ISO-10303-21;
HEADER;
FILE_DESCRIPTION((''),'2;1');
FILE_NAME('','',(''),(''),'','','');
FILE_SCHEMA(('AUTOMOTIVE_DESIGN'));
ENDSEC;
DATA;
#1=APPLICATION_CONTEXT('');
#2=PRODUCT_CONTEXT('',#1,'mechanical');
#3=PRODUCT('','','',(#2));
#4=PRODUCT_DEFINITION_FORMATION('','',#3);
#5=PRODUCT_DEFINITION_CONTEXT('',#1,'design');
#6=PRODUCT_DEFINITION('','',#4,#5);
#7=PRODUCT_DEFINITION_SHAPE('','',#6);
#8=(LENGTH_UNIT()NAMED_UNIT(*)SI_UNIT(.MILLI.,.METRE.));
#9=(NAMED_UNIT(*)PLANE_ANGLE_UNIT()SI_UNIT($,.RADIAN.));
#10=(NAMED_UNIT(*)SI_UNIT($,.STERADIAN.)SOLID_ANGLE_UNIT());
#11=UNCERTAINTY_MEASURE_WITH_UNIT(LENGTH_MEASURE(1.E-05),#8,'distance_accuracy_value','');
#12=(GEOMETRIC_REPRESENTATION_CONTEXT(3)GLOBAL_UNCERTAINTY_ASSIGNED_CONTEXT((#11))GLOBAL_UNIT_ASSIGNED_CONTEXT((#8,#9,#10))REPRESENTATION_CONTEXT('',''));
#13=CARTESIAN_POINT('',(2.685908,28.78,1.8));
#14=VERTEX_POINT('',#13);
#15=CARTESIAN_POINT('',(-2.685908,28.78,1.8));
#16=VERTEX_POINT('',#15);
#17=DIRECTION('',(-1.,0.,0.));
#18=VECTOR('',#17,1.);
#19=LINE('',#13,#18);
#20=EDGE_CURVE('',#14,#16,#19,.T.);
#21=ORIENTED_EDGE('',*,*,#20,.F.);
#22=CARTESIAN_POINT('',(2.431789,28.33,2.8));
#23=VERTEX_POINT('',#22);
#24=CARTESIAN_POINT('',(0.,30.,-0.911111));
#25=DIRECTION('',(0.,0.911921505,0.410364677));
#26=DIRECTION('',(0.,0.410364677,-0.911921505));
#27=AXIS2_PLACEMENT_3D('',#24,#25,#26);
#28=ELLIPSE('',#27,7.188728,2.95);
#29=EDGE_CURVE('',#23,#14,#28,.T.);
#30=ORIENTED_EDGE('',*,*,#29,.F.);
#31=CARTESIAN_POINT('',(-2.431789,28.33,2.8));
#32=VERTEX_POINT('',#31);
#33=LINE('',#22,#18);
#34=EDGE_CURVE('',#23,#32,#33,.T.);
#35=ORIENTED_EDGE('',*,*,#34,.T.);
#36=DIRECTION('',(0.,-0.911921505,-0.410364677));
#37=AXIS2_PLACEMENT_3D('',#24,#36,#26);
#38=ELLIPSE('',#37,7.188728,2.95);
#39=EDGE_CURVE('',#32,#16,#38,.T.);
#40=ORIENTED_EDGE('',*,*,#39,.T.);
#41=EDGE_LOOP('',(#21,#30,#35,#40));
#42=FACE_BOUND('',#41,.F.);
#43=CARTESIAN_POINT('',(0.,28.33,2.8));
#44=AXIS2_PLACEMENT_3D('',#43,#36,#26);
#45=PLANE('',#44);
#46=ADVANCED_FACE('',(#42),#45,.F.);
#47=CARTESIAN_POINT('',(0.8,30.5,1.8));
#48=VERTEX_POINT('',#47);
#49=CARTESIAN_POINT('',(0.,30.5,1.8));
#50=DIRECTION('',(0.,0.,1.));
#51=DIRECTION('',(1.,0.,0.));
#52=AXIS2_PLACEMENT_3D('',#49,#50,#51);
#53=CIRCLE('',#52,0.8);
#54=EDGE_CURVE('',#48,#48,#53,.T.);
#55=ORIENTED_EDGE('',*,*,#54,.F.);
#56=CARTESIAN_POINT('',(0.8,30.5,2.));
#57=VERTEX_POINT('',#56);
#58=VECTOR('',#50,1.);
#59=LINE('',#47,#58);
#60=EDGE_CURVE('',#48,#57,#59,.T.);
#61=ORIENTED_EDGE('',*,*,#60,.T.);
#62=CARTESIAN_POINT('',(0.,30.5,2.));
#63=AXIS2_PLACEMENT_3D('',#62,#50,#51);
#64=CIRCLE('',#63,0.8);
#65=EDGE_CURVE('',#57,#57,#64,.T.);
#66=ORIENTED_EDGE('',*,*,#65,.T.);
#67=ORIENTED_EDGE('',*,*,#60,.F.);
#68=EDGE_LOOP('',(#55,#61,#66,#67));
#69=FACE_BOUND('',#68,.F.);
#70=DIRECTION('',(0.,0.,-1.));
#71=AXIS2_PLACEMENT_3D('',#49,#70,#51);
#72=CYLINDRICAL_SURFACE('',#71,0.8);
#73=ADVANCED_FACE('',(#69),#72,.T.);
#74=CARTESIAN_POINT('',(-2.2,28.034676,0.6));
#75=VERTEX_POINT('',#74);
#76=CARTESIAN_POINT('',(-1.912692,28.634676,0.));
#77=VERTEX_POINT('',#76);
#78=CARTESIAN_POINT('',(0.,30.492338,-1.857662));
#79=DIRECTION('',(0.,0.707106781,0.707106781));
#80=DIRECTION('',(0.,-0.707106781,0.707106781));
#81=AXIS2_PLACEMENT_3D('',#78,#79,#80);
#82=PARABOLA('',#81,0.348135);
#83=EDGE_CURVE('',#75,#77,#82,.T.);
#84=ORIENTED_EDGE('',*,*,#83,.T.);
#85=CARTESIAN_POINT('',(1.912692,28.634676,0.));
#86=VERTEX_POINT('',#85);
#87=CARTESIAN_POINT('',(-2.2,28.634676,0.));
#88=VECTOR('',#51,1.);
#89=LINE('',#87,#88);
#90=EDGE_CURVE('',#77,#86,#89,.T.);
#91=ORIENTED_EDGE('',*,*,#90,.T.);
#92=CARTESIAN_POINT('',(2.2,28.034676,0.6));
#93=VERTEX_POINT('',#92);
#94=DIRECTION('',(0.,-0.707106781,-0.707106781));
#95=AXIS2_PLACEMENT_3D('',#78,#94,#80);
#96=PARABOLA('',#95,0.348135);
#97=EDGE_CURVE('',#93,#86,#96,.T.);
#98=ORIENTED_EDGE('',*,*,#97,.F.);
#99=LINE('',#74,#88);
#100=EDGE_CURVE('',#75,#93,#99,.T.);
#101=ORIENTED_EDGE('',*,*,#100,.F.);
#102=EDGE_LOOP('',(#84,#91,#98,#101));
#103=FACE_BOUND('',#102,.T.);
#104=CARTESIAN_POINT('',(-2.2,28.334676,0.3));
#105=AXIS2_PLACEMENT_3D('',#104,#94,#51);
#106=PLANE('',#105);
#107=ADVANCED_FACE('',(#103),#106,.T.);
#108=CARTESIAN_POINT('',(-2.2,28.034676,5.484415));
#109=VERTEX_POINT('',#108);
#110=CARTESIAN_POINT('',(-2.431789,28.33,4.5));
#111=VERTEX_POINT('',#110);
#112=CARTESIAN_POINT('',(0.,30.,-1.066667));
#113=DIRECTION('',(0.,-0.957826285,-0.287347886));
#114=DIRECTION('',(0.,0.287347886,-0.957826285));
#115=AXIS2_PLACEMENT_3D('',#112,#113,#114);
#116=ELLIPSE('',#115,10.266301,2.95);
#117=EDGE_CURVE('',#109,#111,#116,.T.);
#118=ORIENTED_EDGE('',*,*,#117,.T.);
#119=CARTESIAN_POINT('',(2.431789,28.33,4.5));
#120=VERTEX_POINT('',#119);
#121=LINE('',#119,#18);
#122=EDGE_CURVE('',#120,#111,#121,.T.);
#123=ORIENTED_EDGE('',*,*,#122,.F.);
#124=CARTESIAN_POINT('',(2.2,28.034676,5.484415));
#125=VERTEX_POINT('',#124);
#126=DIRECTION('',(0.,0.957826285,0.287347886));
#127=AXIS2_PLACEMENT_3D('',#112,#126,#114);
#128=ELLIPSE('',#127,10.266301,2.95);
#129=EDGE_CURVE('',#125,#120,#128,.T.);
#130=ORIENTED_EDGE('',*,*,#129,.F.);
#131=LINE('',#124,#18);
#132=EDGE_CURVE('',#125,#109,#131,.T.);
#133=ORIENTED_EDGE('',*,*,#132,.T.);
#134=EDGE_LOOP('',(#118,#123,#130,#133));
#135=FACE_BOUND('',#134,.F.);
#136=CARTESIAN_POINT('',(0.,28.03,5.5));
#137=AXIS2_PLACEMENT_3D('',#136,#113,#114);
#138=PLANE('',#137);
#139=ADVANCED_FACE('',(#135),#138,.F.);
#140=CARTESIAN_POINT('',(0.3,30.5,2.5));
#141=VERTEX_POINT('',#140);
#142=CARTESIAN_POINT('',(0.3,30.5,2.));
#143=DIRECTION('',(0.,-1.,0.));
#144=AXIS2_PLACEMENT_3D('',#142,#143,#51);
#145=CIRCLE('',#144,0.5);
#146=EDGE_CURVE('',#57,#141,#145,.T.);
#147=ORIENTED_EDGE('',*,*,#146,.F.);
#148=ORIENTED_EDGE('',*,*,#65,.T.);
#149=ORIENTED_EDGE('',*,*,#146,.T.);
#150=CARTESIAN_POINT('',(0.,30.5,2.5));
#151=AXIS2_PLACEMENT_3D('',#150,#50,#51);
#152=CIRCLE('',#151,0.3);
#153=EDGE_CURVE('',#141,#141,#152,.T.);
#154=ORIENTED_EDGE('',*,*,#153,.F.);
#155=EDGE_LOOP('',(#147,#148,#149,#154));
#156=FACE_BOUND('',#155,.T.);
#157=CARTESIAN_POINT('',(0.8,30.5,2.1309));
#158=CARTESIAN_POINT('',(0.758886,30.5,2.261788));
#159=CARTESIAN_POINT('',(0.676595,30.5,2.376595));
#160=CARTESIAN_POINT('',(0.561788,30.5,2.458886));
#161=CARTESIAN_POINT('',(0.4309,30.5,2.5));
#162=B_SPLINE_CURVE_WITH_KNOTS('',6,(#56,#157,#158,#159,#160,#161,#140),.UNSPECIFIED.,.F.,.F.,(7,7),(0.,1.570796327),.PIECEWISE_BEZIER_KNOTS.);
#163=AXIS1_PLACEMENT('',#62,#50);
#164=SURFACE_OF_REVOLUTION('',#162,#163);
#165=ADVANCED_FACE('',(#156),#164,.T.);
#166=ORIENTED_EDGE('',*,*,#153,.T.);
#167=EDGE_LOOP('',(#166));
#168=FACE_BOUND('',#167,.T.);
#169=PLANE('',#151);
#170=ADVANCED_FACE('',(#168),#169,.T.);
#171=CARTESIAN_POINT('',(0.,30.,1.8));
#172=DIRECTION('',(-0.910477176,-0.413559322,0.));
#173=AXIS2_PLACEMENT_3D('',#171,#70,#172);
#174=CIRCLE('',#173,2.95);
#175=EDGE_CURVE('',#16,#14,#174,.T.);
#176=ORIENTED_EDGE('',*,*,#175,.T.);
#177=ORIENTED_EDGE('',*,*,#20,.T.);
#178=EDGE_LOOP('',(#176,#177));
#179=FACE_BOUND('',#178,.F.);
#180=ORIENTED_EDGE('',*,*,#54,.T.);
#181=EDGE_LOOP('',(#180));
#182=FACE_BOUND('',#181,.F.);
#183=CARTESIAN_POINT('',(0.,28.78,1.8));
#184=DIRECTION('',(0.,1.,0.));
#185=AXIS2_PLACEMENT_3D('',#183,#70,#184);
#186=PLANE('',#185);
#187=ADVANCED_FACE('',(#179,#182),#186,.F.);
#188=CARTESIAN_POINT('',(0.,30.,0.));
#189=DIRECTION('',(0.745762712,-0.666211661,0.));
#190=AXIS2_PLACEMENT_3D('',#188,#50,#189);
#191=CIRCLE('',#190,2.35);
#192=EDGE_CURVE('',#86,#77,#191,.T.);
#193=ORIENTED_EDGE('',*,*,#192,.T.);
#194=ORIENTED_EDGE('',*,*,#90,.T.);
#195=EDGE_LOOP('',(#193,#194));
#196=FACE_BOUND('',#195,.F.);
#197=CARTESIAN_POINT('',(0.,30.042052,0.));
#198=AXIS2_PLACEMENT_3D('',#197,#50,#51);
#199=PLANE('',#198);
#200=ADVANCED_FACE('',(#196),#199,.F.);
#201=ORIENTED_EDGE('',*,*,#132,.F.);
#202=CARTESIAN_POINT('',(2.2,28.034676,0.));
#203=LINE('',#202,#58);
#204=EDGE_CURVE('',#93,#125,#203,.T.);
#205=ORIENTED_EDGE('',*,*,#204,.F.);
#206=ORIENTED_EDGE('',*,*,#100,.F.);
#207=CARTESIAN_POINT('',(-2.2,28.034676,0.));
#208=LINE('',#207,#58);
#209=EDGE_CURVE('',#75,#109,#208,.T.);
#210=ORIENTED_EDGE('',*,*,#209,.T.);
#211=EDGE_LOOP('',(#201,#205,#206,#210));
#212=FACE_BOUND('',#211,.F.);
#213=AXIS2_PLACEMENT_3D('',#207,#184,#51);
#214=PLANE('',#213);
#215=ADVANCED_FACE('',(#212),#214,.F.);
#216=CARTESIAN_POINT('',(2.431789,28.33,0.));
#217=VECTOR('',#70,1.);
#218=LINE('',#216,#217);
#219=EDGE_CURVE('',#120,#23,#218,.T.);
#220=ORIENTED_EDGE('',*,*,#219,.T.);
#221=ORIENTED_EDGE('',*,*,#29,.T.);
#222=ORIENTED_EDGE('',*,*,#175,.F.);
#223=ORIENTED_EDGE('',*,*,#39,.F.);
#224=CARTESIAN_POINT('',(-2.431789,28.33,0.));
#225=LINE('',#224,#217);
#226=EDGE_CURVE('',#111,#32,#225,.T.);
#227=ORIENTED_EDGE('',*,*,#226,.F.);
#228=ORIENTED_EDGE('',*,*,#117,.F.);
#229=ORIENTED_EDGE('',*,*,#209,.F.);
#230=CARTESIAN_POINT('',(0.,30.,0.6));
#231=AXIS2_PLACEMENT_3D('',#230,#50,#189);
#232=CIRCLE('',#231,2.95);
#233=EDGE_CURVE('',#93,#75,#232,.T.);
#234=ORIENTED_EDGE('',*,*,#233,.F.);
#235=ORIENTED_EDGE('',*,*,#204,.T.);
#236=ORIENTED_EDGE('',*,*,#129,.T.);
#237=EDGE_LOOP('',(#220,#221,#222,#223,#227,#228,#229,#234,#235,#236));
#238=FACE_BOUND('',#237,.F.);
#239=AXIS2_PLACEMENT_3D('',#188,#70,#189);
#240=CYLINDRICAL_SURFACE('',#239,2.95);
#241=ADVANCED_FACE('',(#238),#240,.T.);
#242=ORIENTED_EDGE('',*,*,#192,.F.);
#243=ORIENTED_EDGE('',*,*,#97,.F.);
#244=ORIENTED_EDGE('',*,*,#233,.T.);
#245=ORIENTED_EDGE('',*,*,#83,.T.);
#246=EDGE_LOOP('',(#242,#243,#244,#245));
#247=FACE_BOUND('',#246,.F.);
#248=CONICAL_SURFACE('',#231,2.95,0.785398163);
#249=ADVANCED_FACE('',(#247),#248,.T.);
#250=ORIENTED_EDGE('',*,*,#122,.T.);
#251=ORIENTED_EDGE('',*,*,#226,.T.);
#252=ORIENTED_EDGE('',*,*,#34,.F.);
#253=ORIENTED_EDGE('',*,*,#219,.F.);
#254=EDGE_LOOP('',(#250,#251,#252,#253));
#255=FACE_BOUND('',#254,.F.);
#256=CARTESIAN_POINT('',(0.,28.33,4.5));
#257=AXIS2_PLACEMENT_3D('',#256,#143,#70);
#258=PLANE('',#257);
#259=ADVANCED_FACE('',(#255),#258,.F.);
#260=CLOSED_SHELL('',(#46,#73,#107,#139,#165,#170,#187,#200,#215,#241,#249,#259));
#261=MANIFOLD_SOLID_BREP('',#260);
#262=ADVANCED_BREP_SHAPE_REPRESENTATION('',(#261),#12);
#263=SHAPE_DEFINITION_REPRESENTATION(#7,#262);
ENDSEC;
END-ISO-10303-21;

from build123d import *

# Parameters (mm, degrees)
PAD003_DEPTH         = 5.5
POCKET004_DEPTH      = 2.951
POCKET004_DEPTH_BACK = 2.951
SKETCH013_R          = 0.8
PAD006_DEPTH         = 0.7
FILLET_R             = 0.5
CHAMFER004_SIZE      = 0.6


with BuildPart() as part:
    # Sketch004 → Pad003 (new body)
    with BuildSketch(Plane.XY):
        with BuildLine():
            ThreePointArc((2.2, -1.9653244007), (0, 2.95), (-2.2, -1.9653244007))
            Line((-2.2, -1.9653244007), (2.2, -1.9653244007))
        make_face()
    extrude(amount=PAD003_DEPTH)

    # Sketch014 → Pocket004 (cut, two sides)
    with BuildSketch(Plane.YZ) as pocket004_sk:
        Polygon((-1.97, 5.5), (-1.67, 4.5), (-1.67, 2.8), (-1.22, 1.8), (4, 1.8), (4, 5.5), align=None)
    extrude(amount=-POCKET004_DEPTH, mode=Mode.SUBTRACT)
    extrude(pocket004_sk.sketch, amount=POCKET004_DEPTH_BACK, mode=Mode.SUBTRACT)

    # Sketch013 (on Face7 of Pocket004) → Pad006 (join)
    with BuildSketch(Plane.XY.offset(1.8)):
        with Locations((0, 0.5)):
            Circle(SKETCH013_R)
    extrude(amount=PAD006_DEPTH)

    # Fillet
    fillet_edges = [part.edges().sort_by_distance(p)[0] for p in [
        (-0.8, 0.5, 2.5),
    ]]
    fillet(fillet_edges, radius=FILLET_R)

    # Chamfer004
    chamfer004_edges = [part.edges().sort_by_distance(p)[0] for p in [
        (0, 2.95, 0),
        (0, -1.965324, 0),
    ]]
    chamfer(chamfer004_edges, length=CHAMFER004_SIZE)


with BuildPart() as part_1:
    # Body024 placement: moved
    add(part.part.moved(Location((0, 30, 0))))


solid = part_1.part
